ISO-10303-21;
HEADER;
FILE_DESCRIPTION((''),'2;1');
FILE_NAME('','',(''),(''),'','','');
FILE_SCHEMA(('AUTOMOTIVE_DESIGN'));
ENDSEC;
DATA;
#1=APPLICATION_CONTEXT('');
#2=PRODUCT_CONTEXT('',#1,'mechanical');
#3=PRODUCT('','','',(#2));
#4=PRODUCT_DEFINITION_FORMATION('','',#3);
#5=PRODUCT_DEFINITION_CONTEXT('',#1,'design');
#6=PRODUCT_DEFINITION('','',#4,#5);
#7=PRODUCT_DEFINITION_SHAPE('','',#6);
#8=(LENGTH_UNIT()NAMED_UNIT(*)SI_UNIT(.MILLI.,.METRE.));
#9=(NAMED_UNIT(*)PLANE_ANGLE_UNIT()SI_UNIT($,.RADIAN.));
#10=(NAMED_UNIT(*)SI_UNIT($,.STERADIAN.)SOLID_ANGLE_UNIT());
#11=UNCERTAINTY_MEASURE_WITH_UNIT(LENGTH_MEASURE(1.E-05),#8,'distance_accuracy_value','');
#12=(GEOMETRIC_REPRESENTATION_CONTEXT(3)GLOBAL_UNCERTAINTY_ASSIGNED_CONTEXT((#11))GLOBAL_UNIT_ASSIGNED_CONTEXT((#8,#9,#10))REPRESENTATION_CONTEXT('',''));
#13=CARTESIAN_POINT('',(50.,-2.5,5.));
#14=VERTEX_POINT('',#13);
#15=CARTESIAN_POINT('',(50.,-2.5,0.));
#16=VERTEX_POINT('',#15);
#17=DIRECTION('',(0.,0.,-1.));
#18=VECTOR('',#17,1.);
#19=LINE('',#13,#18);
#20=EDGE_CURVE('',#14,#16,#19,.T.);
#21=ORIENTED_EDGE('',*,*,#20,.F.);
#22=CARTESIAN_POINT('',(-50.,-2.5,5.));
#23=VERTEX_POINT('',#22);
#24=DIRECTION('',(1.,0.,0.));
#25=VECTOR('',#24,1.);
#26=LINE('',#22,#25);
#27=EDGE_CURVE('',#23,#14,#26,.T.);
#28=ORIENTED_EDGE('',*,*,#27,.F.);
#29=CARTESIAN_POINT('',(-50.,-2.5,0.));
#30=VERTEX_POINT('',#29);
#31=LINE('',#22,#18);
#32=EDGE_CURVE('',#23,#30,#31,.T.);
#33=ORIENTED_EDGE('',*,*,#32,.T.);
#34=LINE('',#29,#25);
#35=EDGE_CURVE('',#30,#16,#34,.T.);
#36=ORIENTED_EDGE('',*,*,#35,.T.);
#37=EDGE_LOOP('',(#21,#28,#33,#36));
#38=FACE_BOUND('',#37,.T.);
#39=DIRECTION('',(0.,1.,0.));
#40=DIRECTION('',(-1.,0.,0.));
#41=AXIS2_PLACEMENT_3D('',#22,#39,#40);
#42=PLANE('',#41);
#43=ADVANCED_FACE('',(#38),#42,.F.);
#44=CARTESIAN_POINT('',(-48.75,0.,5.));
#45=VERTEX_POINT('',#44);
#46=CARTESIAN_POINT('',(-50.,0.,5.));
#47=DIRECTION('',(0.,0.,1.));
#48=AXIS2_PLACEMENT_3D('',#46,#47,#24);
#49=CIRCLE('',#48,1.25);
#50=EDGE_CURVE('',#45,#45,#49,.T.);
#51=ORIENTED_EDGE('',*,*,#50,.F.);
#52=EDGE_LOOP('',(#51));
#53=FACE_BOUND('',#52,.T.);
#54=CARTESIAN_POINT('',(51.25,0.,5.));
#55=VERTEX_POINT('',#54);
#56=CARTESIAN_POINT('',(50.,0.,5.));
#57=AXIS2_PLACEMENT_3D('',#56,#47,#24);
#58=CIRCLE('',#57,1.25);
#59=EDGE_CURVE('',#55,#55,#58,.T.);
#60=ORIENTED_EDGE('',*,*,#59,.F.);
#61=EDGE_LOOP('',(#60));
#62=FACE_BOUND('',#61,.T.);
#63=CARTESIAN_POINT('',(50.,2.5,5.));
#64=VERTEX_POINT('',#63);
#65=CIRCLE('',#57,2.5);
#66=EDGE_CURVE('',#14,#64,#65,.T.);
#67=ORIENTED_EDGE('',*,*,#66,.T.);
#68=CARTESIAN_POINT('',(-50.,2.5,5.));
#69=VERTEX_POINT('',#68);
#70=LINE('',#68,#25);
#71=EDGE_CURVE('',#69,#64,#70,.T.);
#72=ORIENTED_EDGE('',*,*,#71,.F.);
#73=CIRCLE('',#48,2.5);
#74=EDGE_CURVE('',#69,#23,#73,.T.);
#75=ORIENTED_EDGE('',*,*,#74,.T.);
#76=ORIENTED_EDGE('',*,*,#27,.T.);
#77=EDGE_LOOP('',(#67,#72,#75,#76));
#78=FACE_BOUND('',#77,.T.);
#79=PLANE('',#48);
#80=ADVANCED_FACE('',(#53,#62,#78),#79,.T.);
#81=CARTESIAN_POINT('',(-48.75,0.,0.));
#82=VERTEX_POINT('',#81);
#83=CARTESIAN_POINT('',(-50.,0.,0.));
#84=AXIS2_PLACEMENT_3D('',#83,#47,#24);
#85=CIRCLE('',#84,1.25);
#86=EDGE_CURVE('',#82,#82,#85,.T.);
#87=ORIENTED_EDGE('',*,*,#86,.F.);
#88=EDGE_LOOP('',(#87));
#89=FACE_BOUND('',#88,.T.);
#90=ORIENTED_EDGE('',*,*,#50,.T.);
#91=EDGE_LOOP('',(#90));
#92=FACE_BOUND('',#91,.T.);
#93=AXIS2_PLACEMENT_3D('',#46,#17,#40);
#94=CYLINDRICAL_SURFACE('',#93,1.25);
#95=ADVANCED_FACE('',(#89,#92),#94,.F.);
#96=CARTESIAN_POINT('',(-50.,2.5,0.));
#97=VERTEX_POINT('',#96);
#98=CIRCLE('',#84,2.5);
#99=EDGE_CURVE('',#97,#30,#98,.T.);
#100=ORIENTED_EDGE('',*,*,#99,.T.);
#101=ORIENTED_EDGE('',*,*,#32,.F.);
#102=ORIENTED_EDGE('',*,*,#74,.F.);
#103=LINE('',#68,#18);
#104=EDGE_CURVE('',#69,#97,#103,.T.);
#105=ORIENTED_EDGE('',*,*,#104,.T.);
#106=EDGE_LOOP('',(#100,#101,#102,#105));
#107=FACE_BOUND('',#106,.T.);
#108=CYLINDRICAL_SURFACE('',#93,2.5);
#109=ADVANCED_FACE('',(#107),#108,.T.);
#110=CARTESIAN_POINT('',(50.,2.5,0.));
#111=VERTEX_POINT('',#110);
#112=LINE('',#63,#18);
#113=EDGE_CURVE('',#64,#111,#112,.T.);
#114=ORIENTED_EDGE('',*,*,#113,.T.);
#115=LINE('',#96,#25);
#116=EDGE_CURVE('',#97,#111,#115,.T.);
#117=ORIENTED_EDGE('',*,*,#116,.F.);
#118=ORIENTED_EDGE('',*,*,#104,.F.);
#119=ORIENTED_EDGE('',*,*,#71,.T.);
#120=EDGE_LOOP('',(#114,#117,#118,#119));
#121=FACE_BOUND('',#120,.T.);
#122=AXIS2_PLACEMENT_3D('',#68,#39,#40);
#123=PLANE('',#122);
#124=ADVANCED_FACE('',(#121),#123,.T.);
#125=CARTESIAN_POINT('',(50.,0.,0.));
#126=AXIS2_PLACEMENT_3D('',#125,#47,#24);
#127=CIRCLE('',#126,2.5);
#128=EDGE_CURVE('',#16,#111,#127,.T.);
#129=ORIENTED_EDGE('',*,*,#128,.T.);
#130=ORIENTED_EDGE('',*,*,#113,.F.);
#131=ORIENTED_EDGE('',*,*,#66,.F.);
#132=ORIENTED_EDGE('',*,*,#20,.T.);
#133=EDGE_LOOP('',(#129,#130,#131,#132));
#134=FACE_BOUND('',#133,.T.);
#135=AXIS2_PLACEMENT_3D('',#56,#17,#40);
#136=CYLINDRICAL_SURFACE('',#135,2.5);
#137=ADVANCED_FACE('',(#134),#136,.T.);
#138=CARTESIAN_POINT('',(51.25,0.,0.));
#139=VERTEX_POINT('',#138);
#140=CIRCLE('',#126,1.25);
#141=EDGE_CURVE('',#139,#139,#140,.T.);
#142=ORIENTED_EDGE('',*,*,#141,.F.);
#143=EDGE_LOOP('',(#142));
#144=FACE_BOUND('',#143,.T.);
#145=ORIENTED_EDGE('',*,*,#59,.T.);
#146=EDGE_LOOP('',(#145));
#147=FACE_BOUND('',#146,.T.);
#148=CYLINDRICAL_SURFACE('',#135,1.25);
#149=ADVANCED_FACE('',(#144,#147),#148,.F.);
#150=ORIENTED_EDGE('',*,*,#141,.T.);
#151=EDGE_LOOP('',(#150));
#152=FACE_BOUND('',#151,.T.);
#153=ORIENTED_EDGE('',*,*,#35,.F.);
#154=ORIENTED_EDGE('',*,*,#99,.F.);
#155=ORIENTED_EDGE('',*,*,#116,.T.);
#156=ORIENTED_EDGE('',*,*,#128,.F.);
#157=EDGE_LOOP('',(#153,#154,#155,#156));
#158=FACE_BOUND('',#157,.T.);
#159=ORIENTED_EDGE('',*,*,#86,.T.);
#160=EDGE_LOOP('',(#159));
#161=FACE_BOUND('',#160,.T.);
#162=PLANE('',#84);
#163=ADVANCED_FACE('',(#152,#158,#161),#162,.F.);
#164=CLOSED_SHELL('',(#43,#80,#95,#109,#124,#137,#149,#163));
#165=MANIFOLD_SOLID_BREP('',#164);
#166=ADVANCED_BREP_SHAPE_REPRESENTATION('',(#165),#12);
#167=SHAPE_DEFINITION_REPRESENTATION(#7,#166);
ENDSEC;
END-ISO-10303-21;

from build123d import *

# Parameters (mm, degrees)
SKETCH1_R           = 1.25
BOSS_EXTRUDE1_DEPTH = 5


with BuildPart() as part:
    # Sketch1 → Boss-Extrude1 (new body)
    with BuildSketch(Plane.XY):
        with BuildLine():
            Line((-50, 2.5), (50, 2.5))
            ThreePointArc((50, 2.5), (52.5, 0), (50, -2.5))
            Line((50, -2.5), (-50, -2.5))
            ThreePointArc((-50, -2.5), (-52.5, 0), (-50, 2.5))
        make_face()
        with Locations((-50, 0)):
            Circle(SKETCH1_R, mode=Mode.SUBTRACT)
        with Locations((50, 0)):
            Circle(SKETCH1_R, mode=Mode.SUBTRACT)
    extrude(amount=BOSS_EXTRUDE1_DEPTH)


solid = part.part
